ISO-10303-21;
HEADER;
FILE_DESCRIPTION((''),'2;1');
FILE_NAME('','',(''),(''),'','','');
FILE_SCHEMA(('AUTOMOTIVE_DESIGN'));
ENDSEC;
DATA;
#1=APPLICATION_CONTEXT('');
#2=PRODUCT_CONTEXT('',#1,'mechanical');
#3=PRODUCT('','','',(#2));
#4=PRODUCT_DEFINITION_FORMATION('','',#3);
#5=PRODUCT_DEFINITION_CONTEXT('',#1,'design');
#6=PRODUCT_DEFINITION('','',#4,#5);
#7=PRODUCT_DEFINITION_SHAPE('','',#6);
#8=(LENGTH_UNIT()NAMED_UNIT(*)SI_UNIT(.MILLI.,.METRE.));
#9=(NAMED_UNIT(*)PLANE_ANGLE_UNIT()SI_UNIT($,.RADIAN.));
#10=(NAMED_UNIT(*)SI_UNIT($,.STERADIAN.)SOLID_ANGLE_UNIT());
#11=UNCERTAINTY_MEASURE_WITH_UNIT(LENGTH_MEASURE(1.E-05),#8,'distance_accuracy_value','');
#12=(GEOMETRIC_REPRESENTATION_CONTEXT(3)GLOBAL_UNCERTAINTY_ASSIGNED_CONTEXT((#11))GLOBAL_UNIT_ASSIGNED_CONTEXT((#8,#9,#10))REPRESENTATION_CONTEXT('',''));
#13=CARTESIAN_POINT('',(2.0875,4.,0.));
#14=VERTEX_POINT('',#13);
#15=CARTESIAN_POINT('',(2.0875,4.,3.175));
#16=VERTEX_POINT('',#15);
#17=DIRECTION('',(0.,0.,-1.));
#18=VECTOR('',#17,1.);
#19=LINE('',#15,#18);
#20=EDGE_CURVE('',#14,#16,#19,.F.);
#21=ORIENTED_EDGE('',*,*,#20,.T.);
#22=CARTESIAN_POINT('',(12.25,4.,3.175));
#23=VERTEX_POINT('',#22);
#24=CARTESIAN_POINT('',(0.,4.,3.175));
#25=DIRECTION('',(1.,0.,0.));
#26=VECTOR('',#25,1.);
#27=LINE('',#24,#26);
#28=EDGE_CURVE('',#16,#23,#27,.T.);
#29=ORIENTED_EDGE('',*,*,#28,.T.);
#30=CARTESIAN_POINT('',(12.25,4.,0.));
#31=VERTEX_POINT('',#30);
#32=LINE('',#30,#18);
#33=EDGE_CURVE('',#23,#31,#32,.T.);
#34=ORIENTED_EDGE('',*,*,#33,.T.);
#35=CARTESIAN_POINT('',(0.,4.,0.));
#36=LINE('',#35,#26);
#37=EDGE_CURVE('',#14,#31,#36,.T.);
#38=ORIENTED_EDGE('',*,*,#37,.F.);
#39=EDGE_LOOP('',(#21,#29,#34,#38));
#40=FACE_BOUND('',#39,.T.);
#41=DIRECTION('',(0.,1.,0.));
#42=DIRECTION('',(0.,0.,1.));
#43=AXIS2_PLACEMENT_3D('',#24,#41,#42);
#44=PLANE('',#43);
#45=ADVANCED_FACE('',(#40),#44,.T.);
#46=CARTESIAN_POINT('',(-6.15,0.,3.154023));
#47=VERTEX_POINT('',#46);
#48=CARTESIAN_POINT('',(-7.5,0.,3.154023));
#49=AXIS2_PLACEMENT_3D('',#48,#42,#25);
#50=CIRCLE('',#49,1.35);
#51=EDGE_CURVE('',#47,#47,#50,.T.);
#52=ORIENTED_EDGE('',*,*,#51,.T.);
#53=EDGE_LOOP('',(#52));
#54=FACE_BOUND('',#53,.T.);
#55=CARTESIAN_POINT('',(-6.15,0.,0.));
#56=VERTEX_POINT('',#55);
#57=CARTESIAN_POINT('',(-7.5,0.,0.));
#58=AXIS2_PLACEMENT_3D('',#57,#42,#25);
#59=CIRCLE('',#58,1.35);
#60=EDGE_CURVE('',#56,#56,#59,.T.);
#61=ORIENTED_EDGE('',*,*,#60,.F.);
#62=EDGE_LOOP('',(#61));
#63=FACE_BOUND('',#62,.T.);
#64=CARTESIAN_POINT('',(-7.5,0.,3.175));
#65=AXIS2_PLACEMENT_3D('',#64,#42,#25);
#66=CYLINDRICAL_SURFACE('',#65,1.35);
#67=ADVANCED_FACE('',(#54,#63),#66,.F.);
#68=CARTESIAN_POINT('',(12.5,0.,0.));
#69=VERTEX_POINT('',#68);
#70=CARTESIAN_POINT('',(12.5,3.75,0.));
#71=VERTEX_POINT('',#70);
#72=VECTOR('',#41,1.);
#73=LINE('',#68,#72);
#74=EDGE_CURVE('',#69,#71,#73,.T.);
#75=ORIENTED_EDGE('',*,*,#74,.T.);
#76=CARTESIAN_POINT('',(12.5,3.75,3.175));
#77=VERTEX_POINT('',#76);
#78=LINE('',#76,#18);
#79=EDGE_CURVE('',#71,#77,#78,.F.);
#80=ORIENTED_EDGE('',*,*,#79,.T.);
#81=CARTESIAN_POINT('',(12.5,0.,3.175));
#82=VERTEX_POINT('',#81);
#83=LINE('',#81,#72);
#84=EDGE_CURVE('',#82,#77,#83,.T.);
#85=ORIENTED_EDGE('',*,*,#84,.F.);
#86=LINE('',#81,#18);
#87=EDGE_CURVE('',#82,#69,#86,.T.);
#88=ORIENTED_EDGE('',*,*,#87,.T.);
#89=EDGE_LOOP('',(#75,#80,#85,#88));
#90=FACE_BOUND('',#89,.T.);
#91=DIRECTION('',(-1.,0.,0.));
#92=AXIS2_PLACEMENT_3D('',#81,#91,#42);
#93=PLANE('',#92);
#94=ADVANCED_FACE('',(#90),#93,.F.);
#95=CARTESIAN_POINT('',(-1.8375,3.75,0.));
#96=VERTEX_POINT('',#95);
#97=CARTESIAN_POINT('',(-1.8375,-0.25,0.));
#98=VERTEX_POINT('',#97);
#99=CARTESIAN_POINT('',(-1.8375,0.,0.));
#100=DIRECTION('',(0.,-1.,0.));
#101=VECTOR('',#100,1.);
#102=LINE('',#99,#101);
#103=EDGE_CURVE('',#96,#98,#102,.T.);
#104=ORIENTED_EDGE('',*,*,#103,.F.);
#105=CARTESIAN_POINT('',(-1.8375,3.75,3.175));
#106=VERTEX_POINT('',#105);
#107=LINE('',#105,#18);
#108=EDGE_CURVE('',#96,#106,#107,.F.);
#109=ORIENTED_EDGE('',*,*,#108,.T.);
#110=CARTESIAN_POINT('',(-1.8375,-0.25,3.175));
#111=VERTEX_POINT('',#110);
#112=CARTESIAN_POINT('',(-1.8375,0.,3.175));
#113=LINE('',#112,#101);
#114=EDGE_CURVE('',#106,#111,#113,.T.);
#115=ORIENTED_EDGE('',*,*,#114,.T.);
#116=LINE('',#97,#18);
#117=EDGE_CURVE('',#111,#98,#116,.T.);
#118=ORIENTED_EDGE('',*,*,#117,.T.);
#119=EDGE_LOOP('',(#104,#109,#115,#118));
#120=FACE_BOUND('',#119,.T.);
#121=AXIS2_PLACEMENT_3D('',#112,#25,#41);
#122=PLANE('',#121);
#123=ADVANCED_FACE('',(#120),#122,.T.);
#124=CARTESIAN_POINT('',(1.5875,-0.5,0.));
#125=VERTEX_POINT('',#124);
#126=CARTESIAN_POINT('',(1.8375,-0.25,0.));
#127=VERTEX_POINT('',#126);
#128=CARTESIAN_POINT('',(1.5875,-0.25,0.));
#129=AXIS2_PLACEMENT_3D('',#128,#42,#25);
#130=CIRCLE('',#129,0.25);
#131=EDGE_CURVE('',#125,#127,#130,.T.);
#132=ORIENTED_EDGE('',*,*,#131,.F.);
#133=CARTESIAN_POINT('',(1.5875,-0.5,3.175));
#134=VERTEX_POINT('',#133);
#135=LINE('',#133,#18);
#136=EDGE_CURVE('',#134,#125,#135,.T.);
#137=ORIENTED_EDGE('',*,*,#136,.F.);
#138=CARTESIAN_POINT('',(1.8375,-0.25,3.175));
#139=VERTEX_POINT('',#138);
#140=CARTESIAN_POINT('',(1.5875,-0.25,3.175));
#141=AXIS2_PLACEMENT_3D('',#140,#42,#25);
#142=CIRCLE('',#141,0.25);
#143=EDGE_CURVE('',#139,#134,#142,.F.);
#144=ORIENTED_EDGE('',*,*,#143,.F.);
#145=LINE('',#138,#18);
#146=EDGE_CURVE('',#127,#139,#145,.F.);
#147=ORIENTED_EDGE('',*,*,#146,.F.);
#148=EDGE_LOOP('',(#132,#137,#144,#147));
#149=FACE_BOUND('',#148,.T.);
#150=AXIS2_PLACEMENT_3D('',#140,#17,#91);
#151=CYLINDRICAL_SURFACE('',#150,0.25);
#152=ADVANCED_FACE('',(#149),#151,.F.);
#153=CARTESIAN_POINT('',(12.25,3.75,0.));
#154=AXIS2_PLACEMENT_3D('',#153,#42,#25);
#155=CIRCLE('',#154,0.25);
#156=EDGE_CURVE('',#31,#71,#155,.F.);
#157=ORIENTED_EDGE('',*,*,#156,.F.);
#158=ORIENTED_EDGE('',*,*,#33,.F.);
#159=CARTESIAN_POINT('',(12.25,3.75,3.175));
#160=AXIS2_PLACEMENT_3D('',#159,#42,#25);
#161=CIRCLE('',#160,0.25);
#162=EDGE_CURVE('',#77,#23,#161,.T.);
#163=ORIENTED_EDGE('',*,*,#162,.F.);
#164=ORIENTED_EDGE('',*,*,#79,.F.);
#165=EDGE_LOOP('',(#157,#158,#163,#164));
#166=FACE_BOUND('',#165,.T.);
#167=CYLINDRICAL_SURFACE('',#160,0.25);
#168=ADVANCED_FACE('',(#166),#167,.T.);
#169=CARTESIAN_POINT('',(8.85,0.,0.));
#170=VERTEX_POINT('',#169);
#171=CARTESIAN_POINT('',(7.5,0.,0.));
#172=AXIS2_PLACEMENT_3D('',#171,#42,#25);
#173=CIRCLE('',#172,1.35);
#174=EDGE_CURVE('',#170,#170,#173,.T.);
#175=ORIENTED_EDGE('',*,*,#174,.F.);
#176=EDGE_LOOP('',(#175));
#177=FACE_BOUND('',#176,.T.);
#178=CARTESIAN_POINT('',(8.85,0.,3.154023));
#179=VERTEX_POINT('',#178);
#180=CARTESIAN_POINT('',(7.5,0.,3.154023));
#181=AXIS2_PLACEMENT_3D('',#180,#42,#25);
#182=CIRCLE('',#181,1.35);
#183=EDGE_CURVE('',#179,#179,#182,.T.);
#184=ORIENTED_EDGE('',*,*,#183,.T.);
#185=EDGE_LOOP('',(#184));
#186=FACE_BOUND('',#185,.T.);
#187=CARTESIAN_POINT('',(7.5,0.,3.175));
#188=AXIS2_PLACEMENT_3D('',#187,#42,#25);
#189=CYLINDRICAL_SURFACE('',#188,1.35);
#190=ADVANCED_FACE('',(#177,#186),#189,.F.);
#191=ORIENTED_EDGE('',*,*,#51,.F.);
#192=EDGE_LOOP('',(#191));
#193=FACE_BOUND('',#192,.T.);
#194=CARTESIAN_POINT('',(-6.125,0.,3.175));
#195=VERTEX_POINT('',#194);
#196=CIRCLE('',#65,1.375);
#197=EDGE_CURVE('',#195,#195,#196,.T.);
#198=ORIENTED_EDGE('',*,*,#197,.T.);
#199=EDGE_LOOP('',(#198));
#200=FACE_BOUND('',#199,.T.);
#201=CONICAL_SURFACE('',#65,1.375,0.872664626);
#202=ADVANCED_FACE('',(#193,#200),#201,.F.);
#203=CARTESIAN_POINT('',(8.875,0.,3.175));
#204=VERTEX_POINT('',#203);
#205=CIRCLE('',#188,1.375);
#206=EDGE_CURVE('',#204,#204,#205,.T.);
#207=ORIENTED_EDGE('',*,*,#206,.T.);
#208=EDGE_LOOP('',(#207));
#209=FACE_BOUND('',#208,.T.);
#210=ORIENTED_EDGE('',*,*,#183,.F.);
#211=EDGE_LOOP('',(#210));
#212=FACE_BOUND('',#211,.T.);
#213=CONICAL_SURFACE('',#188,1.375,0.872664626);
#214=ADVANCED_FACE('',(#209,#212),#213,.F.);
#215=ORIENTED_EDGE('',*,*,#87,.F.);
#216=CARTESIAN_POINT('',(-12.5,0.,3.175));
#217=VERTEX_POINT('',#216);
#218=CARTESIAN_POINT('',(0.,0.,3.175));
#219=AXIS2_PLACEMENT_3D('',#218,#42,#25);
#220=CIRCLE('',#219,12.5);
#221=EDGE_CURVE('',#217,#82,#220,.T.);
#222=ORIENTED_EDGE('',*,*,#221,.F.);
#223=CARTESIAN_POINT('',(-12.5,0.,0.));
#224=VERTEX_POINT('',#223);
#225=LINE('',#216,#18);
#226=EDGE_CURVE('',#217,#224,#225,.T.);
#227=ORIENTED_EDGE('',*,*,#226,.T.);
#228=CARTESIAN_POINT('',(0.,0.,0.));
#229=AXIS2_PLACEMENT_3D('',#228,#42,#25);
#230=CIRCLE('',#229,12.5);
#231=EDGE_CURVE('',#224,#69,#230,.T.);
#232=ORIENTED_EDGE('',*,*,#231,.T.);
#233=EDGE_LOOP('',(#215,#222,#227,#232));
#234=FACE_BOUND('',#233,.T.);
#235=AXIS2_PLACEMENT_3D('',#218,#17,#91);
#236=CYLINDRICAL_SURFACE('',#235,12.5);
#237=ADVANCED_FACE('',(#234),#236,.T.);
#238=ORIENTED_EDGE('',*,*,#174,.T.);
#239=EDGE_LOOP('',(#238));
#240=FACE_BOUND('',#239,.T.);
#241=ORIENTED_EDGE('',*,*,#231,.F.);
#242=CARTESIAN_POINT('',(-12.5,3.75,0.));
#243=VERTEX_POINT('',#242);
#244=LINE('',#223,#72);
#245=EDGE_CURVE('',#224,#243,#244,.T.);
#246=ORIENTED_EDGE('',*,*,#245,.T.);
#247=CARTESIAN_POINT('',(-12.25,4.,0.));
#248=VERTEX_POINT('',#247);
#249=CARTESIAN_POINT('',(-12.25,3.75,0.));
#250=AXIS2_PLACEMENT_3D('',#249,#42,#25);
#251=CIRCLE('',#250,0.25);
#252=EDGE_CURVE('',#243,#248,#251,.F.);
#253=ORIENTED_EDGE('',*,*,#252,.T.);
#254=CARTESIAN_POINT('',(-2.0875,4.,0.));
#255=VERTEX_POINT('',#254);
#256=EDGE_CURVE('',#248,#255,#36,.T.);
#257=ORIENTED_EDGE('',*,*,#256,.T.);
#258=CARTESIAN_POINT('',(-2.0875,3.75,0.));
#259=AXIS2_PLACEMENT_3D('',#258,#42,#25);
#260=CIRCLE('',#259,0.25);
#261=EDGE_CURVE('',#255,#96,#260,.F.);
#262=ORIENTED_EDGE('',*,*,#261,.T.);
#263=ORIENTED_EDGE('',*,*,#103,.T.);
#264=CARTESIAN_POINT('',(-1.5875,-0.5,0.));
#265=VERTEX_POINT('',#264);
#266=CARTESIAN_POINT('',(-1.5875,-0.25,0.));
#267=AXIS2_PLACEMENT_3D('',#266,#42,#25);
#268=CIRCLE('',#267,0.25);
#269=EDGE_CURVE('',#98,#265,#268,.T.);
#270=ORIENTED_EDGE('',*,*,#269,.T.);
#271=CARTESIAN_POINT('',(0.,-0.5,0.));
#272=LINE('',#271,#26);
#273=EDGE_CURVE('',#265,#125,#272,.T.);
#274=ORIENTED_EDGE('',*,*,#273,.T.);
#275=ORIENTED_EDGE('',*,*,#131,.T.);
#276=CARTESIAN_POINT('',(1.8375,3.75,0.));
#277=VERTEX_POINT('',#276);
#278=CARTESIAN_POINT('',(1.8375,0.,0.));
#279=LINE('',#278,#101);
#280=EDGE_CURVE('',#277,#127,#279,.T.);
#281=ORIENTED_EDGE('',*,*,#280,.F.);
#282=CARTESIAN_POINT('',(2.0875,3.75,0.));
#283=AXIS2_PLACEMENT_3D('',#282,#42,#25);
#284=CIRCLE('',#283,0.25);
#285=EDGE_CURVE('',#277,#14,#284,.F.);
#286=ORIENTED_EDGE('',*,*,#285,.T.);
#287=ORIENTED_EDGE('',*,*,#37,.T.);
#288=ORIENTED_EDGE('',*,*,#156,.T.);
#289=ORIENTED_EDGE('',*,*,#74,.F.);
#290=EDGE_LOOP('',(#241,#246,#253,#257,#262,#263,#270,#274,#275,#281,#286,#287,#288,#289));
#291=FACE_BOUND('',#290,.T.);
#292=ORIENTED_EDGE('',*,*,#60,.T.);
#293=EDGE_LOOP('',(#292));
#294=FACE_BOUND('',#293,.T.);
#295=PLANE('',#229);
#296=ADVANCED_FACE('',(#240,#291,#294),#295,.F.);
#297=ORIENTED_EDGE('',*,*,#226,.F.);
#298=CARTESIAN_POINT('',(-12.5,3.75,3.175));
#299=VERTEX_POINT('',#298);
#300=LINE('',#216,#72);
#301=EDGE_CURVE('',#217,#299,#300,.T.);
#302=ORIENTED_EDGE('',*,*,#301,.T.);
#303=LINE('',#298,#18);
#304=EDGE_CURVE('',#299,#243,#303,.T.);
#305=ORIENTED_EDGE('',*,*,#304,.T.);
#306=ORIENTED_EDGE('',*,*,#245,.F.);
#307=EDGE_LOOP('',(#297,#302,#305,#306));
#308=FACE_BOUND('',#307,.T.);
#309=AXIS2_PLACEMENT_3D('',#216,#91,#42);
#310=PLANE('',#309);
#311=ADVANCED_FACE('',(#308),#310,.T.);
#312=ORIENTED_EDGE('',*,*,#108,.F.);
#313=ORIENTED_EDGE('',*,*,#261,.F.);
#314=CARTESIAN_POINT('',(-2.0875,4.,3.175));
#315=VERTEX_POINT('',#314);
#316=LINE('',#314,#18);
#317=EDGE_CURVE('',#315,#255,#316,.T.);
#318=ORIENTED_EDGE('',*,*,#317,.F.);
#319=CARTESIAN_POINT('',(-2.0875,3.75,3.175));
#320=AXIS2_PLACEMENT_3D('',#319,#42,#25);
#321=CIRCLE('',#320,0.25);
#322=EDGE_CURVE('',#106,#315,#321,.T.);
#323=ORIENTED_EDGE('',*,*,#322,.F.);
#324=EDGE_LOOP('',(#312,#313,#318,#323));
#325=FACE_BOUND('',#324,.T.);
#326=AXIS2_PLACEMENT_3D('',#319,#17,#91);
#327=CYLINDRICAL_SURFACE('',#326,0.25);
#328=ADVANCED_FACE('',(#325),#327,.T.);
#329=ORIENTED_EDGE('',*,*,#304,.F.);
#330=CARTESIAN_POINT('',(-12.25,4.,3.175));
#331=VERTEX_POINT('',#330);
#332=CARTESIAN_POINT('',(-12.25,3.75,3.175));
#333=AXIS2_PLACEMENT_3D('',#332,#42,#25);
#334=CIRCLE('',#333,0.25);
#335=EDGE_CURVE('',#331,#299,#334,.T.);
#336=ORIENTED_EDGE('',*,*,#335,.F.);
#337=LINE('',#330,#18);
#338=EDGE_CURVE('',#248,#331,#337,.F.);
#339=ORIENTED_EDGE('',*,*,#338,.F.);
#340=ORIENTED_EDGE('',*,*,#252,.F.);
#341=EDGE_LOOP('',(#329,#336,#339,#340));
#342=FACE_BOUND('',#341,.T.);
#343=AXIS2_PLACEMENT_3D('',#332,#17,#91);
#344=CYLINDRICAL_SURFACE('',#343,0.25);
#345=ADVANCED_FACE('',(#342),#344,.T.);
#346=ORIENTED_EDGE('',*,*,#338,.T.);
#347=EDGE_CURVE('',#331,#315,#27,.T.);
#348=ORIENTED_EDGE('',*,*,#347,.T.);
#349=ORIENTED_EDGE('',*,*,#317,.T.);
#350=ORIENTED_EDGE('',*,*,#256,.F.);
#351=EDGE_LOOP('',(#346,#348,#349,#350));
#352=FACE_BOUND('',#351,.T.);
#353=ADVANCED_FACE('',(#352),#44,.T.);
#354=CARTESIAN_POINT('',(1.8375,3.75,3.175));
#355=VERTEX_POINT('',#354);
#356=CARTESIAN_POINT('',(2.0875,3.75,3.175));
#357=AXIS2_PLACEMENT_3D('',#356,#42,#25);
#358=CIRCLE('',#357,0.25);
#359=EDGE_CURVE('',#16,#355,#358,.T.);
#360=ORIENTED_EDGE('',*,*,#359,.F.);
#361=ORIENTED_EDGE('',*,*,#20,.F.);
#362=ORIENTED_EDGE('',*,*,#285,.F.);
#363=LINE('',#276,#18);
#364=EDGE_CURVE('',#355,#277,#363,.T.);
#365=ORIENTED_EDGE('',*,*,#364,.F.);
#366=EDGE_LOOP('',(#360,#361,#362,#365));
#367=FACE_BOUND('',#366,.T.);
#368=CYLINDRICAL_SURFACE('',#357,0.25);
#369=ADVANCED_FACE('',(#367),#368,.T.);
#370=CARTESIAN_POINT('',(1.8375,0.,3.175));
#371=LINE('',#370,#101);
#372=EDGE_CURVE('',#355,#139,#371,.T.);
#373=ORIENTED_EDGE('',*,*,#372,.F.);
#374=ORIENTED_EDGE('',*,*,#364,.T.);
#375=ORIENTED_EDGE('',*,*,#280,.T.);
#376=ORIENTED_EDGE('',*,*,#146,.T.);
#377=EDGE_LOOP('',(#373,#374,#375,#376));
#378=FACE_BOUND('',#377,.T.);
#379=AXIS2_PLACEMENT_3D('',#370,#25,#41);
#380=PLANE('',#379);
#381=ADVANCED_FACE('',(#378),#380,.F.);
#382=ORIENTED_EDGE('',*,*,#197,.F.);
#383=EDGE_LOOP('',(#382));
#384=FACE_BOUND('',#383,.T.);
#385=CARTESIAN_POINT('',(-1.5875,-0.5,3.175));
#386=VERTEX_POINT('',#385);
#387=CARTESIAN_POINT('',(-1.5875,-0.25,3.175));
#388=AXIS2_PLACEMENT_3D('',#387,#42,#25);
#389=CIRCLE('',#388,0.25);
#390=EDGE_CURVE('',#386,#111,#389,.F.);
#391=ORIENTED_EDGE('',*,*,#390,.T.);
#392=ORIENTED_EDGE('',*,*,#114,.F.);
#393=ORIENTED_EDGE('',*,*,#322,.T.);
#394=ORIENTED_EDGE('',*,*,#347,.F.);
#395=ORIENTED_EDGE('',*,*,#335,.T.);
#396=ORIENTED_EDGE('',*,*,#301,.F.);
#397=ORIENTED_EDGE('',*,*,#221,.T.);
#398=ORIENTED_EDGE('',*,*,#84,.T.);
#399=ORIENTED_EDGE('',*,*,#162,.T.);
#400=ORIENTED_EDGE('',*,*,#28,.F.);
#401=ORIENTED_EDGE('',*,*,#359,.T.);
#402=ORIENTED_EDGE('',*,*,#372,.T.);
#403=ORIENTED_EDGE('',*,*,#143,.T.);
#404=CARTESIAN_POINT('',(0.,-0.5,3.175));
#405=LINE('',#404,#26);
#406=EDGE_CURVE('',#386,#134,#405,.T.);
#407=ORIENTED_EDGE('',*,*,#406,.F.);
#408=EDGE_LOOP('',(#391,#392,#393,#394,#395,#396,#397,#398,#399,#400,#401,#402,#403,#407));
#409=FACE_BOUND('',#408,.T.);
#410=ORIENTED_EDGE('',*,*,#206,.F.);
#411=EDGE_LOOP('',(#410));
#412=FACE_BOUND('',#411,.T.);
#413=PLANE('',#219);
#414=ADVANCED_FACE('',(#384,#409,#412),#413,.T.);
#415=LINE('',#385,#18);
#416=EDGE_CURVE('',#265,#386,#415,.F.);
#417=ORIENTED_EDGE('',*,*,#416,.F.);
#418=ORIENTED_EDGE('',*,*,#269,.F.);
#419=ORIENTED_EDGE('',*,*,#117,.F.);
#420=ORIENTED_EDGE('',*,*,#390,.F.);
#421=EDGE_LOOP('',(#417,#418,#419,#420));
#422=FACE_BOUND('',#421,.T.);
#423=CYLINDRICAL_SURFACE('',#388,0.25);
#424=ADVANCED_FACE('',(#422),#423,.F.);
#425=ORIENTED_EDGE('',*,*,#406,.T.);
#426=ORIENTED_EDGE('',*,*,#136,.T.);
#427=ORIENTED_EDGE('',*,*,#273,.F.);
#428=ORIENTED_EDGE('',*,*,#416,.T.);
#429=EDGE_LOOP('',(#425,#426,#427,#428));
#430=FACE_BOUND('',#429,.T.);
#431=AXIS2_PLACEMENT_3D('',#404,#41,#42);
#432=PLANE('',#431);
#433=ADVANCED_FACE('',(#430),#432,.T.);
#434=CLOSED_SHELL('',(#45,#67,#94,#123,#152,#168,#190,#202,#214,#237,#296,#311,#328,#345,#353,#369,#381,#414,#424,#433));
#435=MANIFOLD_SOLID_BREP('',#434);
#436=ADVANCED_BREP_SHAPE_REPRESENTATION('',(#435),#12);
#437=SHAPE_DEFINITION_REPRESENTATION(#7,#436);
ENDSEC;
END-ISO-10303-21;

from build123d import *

# Parameters (mm, degrees)
BOSS_EXTRUDE1_DEPTH              = 3.175
M2_5_CLEARANCE_HOLE1_D           = 2.7
M2_5_CLEARANCE_HOLE1_CSINK_D     = 2.75
M2_5_CLEARANCE_HOLE1_CSINK_ANGLE = 100
FILLET1_R                        = 0.25


with BuildPart() as part:
    # Sketch1 → Boss-Extrude1 (new body)
    with BuildSketch(Plane.XY):
        with BuildLine():
            Line((-12.5, 4), (-12.5, 0))
            ThreePointArc((-12.5, 0), (0, -12.5), (12.5, 0))
            Line((12.5, 0), (12.5, 4))
            Line((12.5, 4), (1.8375, 4))
            Line((1.8375, 4), (1.8375, -0.5))
            Line((1.8375, -0.5), (-1.8375, -0.5))
            Line((-1.8375, -0.5), (-1.8375, 4))
            Line((-1.8375, 4), (-12.5, 4))
        make_face()
    extrude(amount=BOSS_EXTRUDE1_DEPTH)

    # M2.5 Clearance Hole1 (through all)
    with Locations(Plane.XY.offset(3.175)):
        with Locations((-7.5, 0), (7.5, 0)):
            CounterSinkHole(M2_5_CLEARANCE_HOLE1_D / 2, M2_5_CLEARANCE_HOLE1_CSINK_D / 2, counter_sink_angle=M2_5_CLEARANCE_HOLE1_CSINK_ANGLE)

    # Fillet1
    fillet1_edges = [part.edges().sort_by_distance(p)[0] for p in [
        (-12.5, 4, 1.5875),
        (-1.8375, 4, 1.5875),
        (-1.8375, -0.5, 1.5875),
        (1.8375, -0.5, 1.5875),
        (1.8375, 4, 1.5875),
        (12.5, 4, 1.5875),
    ]]
    fillet(fillet1_edges, radius=FILLET1_R)


solid = part.part
